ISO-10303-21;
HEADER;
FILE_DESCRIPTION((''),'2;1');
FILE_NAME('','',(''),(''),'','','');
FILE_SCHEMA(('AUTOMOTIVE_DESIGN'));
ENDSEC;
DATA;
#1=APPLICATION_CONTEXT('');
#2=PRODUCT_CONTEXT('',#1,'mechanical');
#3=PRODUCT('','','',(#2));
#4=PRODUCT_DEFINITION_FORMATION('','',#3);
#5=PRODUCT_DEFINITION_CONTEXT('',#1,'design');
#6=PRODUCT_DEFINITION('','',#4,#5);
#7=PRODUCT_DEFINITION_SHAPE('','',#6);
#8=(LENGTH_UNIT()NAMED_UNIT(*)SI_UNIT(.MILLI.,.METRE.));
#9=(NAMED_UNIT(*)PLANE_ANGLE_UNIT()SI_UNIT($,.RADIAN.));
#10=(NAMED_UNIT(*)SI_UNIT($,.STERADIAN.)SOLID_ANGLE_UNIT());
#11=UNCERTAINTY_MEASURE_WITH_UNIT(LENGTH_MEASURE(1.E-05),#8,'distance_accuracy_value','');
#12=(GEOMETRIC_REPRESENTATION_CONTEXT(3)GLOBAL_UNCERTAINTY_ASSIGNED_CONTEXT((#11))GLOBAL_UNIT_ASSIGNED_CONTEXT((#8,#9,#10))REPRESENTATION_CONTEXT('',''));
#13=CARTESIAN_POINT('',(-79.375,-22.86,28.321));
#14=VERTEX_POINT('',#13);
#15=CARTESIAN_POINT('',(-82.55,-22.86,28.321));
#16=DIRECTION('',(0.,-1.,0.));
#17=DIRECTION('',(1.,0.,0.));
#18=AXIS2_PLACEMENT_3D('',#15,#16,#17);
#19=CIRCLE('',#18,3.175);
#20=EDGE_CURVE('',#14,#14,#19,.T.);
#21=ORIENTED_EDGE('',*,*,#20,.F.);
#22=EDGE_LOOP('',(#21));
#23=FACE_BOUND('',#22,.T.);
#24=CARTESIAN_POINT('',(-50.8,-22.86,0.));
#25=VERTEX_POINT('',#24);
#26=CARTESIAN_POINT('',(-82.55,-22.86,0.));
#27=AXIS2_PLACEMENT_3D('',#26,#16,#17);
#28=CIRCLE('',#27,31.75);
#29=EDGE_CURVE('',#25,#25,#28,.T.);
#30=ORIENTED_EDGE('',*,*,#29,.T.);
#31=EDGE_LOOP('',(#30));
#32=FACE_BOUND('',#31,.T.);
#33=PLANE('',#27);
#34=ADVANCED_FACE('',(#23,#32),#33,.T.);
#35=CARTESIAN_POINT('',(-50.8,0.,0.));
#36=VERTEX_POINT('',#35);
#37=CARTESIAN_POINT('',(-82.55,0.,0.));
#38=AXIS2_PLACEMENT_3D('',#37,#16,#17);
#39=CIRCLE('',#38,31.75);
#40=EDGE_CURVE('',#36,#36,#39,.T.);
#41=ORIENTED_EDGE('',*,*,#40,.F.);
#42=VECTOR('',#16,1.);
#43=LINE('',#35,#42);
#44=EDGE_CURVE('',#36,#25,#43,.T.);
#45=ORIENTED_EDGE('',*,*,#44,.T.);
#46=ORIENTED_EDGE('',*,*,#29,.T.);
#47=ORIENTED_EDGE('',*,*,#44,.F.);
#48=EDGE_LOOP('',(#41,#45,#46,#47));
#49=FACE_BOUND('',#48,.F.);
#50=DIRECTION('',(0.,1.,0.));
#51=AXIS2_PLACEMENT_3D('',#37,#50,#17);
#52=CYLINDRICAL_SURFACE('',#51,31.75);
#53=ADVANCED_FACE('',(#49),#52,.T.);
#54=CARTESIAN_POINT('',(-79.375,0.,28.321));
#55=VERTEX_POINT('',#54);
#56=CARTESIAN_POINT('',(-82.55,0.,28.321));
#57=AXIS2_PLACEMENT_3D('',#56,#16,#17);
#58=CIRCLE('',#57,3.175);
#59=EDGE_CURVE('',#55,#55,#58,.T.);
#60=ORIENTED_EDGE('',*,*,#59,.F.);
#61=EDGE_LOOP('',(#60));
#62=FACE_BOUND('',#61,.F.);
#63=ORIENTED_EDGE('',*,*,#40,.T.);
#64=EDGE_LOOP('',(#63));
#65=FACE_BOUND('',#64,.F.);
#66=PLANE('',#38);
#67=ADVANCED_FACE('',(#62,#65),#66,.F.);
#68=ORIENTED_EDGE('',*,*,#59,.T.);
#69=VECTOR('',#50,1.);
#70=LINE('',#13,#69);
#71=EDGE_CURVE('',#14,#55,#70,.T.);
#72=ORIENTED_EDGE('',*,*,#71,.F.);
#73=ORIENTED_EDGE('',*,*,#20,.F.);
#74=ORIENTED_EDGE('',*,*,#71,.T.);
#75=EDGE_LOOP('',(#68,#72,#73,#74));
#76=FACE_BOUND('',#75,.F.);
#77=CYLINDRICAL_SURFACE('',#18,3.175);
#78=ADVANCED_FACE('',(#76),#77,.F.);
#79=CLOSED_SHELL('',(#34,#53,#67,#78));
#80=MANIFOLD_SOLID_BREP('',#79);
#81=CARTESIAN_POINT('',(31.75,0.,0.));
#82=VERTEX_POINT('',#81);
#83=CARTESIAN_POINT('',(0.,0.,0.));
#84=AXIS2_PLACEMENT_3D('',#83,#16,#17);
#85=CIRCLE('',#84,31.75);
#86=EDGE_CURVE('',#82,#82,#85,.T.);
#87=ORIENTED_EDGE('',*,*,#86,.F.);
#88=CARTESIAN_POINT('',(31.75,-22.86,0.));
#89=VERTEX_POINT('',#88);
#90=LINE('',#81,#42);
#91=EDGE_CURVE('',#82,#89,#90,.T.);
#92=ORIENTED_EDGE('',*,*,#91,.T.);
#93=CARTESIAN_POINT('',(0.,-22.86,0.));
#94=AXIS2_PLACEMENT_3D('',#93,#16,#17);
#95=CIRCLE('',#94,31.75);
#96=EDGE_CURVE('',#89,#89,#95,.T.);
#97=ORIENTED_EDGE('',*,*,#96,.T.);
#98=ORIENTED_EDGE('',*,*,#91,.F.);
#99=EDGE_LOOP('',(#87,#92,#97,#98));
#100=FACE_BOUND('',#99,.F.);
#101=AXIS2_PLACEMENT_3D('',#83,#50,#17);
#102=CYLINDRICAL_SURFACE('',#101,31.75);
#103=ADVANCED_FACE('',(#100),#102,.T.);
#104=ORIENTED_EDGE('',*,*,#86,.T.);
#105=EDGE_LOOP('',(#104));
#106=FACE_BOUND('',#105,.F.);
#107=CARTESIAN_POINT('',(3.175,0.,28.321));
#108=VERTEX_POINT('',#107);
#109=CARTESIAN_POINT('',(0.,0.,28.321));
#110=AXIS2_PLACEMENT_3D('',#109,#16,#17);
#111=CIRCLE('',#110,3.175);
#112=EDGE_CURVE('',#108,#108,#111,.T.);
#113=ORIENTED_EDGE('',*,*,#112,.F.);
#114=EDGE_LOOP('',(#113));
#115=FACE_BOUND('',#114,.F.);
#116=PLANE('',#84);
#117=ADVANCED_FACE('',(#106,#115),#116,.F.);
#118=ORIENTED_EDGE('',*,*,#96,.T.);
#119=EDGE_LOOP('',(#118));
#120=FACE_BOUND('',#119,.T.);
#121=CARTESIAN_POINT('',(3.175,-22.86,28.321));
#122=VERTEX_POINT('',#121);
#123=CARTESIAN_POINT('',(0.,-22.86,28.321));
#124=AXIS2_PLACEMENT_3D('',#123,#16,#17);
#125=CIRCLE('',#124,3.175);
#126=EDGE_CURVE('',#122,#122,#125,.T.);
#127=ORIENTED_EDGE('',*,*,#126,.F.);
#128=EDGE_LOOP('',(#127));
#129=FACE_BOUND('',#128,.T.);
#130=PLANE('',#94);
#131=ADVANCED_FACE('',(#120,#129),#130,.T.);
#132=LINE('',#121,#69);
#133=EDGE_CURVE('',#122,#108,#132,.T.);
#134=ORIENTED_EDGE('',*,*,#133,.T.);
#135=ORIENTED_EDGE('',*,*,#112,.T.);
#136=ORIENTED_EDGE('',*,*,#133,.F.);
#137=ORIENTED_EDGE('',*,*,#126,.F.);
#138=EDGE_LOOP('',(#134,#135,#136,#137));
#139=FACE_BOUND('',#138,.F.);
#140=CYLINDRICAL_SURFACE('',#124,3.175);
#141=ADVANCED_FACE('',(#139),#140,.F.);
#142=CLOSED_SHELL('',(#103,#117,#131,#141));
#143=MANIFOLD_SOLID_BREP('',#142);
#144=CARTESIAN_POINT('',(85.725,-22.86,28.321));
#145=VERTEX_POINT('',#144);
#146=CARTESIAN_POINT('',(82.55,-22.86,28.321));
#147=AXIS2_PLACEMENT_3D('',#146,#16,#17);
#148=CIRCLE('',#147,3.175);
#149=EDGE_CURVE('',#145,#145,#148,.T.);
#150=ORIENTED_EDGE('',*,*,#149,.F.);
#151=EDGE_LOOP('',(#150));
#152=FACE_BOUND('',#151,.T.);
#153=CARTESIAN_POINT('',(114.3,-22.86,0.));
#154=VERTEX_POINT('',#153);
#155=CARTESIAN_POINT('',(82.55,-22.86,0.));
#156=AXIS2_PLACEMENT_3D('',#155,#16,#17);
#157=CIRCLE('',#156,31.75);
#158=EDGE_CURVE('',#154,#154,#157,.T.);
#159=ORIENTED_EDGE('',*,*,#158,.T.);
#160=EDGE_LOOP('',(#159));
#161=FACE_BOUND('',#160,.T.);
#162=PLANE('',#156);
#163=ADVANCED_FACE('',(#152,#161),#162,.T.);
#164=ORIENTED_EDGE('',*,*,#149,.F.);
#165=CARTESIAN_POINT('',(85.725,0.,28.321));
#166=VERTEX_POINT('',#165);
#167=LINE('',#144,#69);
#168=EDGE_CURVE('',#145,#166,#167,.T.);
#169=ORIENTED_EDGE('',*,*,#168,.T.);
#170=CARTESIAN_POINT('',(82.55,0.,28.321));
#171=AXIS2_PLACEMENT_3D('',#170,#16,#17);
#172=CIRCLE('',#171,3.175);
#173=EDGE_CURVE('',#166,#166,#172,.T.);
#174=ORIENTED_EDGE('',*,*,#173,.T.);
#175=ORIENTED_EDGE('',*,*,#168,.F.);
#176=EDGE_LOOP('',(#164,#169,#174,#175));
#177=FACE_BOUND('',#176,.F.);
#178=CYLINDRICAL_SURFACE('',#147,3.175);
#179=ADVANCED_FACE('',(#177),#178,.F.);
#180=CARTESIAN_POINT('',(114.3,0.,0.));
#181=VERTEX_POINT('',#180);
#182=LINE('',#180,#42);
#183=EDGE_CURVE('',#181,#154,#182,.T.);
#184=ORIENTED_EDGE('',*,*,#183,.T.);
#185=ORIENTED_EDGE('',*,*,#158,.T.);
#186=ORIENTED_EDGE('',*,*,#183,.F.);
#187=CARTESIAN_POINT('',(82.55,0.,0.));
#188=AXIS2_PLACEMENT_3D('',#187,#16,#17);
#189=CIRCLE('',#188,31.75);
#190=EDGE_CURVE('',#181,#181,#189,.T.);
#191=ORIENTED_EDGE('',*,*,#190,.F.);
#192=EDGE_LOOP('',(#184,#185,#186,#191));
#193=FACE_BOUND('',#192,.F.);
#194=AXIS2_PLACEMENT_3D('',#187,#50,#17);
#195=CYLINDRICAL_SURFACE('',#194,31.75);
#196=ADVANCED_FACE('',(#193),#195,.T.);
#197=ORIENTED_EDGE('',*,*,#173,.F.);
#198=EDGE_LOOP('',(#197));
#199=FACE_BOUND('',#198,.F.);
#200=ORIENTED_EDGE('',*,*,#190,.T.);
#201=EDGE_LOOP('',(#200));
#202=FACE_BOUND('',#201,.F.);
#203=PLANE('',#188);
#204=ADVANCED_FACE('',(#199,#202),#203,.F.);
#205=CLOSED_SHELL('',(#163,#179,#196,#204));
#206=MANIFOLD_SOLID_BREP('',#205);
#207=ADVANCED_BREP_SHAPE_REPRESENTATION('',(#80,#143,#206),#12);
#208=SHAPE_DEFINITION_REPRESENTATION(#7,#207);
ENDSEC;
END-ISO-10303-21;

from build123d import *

# Parameters (mm, degrees)
F0_R     = 31.75
F1_DEPTH = 22.86
F2_R     = 3.175
F3_DEPTH = 25.4
F4_DEPTH = 25.4
F5_DEPTH = 25.4


with BuildPart() as f1:
    # F0 (on Front) → F1 (new body)
    with BuildSketch(Plane.XZ):
        with Locations((-82.55, 0)):
            Circle(F0_R)
        Circle(F0_R)
        with Locations((82.55, 0)):
            Circle(F0_R)
    extrude(amount=F1_DEPTH)

    # F2 (on face) → F3 (cut)
    with BuildSketch(Plane.XZ.offset(22.86)):
        with Locations((-82.55, 28.321)):
            Circle(F2_R)
    extrude(amount=-F3_DEPTH, mode=Mode.SUBTRACT)

    # F2 (on face) → F4 (cut)
    with BuildSketch(Plane.XZ.offset(22.86)):
        with Locations((0, 28.321)):
            Circle(F2_R)
    extrude(amount=-F4_DEPTH, mode=Mode.SUBTRACT)

    # F2 (on face) → F5 (cut)
    with BuildSketch(Plane.XZ.offset(22.86)):
        with Locations((82.55, 28.321)):
            Circle(F2_R)
    extrude(amount=-F5_DEPTH, mode=Mode.SUBTRACT)


solid = f1.part
